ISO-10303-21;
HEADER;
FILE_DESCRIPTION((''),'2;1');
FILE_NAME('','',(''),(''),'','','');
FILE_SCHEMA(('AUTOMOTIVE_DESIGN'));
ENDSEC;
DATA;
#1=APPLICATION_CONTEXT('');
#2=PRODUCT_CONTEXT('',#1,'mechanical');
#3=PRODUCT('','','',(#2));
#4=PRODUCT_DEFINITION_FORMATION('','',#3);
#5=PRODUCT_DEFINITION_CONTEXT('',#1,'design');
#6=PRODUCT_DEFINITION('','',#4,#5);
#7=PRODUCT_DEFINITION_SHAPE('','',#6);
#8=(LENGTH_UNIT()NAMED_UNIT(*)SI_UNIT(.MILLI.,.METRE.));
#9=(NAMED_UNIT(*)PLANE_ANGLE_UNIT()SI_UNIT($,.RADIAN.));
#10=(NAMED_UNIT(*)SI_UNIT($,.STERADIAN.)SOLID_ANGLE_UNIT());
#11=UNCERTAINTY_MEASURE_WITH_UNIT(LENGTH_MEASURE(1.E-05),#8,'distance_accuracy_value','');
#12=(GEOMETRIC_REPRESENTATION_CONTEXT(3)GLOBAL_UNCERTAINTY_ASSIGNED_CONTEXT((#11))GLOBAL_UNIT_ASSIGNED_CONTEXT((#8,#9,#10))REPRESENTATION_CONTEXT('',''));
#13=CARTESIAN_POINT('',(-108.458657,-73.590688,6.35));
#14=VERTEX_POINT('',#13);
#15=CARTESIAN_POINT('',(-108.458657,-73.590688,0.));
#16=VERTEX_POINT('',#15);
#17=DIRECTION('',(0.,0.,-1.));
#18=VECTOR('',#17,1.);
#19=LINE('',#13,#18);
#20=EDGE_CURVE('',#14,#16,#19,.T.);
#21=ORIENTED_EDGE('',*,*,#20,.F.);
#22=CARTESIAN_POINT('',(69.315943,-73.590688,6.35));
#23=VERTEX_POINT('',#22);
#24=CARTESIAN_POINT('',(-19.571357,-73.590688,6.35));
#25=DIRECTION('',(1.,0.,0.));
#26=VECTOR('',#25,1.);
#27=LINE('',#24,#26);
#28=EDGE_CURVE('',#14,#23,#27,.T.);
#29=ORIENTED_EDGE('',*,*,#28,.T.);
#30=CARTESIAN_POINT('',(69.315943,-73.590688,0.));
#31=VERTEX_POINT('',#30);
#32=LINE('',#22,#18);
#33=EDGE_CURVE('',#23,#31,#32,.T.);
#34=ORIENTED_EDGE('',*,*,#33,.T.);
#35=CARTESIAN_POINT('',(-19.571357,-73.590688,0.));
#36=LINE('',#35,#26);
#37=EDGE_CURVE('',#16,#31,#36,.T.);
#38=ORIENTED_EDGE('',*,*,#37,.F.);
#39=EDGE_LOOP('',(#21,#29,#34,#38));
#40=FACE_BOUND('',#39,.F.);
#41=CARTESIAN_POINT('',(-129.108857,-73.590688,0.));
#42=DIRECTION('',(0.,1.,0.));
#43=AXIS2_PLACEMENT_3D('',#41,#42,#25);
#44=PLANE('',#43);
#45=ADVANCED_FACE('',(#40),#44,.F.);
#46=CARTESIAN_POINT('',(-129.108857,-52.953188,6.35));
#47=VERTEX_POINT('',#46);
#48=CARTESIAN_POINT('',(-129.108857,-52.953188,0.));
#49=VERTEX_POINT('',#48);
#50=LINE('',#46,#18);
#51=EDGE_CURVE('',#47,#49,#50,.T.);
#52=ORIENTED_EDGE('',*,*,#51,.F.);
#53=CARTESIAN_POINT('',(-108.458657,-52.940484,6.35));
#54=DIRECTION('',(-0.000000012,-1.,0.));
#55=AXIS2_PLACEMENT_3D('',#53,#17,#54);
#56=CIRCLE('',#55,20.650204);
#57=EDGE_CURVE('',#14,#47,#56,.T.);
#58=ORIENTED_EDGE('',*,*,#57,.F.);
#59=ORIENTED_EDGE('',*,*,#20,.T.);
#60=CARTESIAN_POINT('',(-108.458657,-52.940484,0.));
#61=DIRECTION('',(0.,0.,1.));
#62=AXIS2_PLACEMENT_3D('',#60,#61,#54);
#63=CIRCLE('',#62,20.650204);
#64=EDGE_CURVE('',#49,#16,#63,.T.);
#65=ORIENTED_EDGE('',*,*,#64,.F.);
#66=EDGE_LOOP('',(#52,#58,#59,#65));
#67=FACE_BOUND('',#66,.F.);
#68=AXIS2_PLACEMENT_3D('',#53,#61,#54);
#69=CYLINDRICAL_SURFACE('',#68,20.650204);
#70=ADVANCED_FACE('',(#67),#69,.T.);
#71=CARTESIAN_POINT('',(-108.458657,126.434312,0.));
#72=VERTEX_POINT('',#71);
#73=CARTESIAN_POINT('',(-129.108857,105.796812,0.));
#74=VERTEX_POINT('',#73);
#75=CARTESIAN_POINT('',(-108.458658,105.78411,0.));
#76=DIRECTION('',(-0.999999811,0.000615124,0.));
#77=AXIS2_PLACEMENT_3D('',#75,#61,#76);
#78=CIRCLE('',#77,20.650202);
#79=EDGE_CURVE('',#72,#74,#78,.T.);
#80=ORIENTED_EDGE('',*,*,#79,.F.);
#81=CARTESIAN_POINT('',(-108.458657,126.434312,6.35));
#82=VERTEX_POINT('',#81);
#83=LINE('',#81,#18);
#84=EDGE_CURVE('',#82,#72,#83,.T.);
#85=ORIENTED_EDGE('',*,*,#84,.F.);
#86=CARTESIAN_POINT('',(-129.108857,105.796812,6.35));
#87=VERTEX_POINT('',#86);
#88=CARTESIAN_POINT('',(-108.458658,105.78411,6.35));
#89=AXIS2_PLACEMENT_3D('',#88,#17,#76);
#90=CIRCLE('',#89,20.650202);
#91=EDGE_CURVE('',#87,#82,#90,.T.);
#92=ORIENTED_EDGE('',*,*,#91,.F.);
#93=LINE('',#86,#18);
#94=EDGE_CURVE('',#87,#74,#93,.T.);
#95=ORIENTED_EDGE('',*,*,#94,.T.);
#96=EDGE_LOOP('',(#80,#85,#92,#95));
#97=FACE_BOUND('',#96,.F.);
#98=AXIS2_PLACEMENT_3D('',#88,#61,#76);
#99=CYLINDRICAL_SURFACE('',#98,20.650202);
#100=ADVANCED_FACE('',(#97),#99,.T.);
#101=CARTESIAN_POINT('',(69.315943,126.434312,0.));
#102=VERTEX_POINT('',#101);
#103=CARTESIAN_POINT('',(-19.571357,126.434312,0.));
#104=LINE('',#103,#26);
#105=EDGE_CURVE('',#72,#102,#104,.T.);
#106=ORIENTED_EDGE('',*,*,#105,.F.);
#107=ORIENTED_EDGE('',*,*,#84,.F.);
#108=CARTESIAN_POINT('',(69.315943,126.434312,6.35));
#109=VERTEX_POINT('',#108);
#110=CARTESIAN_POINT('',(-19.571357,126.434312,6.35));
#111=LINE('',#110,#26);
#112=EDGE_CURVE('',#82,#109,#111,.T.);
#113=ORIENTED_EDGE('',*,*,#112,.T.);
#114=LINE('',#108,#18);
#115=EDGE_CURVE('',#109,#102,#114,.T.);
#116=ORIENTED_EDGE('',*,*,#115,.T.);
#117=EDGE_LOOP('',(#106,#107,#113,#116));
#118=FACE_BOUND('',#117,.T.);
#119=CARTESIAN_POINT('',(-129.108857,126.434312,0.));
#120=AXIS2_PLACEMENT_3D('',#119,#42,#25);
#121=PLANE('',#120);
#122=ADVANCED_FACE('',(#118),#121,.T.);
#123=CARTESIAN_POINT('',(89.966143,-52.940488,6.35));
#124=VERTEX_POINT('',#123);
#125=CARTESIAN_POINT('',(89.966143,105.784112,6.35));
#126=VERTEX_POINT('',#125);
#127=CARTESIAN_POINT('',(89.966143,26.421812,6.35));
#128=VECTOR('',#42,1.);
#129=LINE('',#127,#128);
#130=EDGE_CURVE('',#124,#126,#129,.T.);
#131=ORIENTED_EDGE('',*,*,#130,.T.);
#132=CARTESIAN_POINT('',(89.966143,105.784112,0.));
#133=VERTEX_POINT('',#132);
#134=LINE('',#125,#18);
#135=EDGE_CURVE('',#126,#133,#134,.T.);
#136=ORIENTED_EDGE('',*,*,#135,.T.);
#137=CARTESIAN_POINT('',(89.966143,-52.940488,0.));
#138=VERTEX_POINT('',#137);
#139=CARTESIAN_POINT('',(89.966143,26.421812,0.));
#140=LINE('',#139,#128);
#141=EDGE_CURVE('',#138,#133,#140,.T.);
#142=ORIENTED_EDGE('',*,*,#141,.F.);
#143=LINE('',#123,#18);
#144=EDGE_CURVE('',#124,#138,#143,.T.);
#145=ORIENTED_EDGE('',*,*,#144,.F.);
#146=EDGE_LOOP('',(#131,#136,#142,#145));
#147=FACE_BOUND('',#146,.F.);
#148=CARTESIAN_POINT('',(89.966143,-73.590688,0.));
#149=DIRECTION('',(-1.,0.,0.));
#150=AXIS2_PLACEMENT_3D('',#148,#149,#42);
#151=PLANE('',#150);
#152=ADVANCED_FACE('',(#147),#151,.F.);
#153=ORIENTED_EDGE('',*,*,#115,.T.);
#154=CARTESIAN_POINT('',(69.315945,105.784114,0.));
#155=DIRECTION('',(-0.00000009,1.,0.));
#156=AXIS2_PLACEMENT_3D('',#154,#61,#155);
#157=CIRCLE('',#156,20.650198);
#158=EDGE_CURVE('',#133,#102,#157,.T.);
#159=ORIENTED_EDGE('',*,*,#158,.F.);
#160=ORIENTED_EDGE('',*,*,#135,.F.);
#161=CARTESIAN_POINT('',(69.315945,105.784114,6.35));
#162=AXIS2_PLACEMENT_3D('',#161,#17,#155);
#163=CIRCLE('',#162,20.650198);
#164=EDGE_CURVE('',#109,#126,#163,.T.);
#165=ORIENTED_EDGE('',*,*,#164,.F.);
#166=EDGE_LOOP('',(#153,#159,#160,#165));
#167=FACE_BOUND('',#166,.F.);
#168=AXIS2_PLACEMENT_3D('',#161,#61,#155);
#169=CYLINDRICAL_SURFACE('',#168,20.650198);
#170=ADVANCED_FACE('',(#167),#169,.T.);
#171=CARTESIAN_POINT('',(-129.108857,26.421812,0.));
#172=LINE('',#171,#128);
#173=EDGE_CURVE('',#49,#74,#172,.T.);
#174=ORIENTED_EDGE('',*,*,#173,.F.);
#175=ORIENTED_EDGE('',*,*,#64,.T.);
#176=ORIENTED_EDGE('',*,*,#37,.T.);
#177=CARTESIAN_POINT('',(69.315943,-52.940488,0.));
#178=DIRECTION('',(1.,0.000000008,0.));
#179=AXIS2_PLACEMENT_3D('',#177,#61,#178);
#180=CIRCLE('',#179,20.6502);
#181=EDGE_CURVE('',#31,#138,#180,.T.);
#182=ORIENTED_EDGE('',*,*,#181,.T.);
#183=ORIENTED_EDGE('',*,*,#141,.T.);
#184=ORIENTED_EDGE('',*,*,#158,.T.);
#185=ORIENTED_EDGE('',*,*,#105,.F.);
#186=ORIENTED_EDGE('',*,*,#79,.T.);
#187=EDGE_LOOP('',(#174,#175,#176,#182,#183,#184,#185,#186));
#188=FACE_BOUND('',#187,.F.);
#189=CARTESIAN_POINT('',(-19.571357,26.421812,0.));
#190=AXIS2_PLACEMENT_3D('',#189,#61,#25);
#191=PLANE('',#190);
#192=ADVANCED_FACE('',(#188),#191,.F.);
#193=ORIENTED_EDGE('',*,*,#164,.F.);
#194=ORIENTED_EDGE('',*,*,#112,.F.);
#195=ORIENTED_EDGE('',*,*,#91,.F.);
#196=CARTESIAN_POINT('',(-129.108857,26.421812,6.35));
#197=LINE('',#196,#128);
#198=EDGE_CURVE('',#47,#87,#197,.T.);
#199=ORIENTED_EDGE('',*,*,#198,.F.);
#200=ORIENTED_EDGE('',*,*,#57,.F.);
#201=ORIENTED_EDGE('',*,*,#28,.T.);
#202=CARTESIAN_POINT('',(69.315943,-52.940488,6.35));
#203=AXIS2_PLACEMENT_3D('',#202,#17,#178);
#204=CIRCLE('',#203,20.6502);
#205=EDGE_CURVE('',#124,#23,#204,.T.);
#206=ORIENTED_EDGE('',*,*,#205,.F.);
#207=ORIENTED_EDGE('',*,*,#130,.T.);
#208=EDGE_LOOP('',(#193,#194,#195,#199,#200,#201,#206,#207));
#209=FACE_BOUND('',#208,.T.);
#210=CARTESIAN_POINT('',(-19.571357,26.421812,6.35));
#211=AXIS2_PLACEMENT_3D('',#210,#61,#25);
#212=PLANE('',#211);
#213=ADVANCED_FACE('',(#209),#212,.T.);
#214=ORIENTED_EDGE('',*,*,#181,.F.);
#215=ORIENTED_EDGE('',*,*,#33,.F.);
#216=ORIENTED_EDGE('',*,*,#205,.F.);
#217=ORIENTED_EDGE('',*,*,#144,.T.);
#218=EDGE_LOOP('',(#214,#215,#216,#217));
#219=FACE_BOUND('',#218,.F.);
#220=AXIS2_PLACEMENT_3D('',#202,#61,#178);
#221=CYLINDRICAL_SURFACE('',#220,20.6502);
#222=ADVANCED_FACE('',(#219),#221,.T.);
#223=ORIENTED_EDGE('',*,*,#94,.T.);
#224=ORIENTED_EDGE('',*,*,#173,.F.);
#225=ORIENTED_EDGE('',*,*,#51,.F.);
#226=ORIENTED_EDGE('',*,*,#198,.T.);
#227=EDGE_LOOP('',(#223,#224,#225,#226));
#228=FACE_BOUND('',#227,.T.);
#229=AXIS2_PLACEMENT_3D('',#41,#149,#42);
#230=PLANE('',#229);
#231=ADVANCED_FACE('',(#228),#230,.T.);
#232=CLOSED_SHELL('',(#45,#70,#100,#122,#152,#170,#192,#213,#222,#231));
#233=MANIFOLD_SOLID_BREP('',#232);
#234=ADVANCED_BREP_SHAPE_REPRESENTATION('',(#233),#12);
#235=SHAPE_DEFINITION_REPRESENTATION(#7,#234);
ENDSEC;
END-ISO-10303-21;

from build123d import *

# Parameters (mm, degrees)
F0_W     = 219.075
F0_H     = 200.025
F1_DEPTH = 6.35
F3_DEPTH = 6.351


with BuildPart() as f1:
    # F0 (on Top) → F1 (new body)
    with BuildSketch(Plane.XY):
        with Locations((-19.571357, 26.421812)):
            Rectangle(F0_W, F0_H)
    extrude(amount=F1_DEPTH)

    # F2 (on face) → F3 (cut, through all)
    with BuildSketch(Plane.XY.offset(6.35)):
        with BuildLine():
            Line((89.966143, 126.434312), (69.315943, 126.434312))
            ThreePointArc((69.315943, 126.434312), (83.91784, 120.386009), (89.966143, 105.784112))
            Line((89.966143, 105.784112), (89.966143, 126.434312))
        make_face()
        with BuildLine():
            Line((-129.108857, 126.434312), (-129.108857, 105.796812))
            ThreePointArc((-129.108857, 105.796812), (-123.056064, 120.390499), (-108.458657, 126.434312))
            Line((-108.458657, 126.434312), (-129.108857, 126.434312))
        make_face()
        with BuildLine():
            ThreePointArc((-108.458657, -73.590688), (-123.056064, -67.546874), (-129.108857, -52.953188))
            Line((-129.108857, -52.953188), (-129.108857, -73.590688))
            Line((-129.108857, -73.590688), (-108.458657, -73.590688))
        make_face()
        with BuildLine():
            ThreePointArc((89.966143, -52.940488), (83.91784, -67.542384), (69.315943, -73.590688))
            Line((69.315943, -73.590688), (89.966143, -73.590688))
            Line((89.966143, -73.590688), (89.966143, -52.940488))
        make_face()
    extrude(amount=-F3_DEPTH, mode=Mode.SUBTRACT)


solid = f1.part
